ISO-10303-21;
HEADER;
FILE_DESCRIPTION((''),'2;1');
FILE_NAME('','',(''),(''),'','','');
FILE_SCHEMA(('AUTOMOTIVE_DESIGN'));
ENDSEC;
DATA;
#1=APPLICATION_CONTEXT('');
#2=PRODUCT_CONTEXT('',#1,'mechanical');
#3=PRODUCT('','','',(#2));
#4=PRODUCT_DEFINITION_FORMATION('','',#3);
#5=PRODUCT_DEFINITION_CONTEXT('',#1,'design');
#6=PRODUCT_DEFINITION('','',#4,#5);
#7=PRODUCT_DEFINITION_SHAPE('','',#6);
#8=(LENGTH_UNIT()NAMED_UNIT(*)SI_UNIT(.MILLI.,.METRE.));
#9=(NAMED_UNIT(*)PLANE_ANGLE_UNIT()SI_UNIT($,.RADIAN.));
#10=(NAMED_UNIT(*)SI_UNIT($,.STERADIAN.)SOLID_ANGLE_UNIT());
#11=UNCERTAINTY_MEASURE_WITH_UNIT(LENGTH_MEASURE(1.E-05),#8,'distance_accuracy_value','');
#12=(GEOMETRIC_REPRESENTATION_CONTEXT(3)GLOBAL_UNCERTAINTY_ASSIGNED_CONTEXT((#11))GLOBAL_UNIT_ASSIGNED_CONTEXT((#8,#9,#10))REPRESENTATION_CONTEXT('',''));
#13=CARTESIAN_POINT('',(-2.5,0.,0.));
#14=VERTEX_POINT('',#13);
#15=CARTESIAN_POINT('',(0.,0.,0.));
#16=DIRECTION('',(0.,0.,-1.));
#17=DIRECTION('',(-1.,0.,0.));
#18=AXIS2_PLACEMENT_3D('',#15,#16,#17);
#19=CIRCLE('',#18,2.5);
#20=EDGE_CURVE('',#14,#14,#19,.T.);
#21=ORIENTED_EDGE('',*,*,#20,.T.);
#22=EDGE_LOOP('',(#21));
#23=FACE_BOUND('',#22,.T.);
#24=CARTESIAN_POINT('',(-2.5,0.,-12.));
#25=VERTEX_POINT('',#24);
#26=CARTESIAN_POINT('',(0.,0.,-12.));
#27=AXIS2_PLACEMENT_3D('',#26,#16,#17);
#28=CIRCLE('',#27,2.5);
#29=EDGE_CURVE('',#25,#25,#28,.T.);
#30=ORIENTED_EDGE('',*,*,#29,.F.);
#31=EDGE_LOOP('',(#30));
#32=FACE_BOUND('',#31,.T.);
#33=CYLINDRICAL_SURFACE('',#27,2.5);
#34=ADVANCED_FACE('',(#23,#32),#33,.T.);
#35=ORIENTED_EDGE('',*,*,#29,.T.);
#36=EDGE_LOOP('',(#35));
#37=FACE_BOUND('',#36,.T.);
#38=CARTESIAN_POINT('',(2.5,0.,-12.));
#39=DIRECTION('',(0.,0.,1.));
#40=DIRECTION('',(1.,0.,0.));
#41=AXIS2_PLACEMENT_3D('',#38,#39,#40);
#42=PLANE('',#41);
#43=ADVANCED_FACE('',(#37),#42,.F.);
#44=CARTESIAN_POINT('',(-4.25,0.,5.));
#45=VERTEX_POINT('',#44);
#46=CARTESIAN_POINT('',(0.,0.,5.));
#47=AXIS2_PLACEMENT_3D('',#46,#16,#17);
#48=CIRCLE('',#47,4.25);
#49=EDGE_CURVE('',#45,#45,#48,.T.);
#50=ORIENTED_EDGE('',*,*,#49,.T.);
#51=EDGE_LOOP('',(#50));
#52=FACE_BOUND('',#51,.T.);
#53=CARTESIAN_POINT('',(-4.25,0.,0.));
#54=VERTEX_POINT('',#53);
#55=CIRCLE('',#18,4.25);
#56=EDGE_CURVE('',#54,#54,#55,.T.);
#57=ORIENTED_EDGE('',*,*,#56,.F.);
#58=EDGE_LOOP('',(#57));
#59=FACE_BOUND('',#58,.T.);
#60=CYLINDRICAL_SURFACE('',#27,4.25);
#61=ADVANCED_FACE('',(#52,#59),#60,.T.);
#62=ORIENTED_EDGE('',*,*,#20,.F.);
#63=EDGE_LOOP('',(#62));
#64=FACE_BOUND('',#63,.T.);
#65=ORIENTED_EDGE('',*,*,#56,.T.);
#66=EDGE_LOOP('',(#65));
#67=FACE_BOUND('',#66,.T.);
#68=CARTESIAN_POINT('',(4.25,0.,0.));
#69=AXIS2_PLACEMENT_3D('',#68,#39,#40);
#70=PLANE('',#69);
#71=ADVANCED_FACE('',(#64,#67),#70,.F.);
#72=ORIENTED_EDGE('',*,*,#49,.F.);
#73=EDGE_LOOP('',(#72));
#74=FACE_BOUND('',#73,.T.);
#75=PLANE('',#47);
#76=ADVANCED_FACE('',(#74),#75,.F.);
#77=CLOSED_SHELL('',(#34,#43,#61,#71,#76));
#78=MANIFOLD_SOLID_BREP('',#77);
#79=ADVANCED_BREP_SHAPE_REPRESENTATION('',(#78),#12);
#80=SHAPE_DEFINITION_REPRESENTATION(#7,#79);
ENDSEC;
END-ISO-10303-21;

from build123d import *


with BuildPart() as part:
    # Sketch1 → REV_ISO4762_M5x12_8.8 (revolve)
    with BuildSketch(Plane(origin=(0, 0, 0), x_dir=(1, 0, 0), z_dir=(0, 1, 0)), mode=Mode.PRIVATE) as rev_iso4762_m5x12_8_8_sk:
        Polygon((0, -5), (4.25, -5), (4.25, 0), (2.5, 0), (2.5, 12), (0, 12), align=None)
    revolve(rev_iso4762_m5x12_8_8_sk.sketch.rotate(Axis((0, 0, -12), (0, 0, 1)), 180), axis=Axis((0, 0, -12), (0, 0, 1)))


solid = part.part
